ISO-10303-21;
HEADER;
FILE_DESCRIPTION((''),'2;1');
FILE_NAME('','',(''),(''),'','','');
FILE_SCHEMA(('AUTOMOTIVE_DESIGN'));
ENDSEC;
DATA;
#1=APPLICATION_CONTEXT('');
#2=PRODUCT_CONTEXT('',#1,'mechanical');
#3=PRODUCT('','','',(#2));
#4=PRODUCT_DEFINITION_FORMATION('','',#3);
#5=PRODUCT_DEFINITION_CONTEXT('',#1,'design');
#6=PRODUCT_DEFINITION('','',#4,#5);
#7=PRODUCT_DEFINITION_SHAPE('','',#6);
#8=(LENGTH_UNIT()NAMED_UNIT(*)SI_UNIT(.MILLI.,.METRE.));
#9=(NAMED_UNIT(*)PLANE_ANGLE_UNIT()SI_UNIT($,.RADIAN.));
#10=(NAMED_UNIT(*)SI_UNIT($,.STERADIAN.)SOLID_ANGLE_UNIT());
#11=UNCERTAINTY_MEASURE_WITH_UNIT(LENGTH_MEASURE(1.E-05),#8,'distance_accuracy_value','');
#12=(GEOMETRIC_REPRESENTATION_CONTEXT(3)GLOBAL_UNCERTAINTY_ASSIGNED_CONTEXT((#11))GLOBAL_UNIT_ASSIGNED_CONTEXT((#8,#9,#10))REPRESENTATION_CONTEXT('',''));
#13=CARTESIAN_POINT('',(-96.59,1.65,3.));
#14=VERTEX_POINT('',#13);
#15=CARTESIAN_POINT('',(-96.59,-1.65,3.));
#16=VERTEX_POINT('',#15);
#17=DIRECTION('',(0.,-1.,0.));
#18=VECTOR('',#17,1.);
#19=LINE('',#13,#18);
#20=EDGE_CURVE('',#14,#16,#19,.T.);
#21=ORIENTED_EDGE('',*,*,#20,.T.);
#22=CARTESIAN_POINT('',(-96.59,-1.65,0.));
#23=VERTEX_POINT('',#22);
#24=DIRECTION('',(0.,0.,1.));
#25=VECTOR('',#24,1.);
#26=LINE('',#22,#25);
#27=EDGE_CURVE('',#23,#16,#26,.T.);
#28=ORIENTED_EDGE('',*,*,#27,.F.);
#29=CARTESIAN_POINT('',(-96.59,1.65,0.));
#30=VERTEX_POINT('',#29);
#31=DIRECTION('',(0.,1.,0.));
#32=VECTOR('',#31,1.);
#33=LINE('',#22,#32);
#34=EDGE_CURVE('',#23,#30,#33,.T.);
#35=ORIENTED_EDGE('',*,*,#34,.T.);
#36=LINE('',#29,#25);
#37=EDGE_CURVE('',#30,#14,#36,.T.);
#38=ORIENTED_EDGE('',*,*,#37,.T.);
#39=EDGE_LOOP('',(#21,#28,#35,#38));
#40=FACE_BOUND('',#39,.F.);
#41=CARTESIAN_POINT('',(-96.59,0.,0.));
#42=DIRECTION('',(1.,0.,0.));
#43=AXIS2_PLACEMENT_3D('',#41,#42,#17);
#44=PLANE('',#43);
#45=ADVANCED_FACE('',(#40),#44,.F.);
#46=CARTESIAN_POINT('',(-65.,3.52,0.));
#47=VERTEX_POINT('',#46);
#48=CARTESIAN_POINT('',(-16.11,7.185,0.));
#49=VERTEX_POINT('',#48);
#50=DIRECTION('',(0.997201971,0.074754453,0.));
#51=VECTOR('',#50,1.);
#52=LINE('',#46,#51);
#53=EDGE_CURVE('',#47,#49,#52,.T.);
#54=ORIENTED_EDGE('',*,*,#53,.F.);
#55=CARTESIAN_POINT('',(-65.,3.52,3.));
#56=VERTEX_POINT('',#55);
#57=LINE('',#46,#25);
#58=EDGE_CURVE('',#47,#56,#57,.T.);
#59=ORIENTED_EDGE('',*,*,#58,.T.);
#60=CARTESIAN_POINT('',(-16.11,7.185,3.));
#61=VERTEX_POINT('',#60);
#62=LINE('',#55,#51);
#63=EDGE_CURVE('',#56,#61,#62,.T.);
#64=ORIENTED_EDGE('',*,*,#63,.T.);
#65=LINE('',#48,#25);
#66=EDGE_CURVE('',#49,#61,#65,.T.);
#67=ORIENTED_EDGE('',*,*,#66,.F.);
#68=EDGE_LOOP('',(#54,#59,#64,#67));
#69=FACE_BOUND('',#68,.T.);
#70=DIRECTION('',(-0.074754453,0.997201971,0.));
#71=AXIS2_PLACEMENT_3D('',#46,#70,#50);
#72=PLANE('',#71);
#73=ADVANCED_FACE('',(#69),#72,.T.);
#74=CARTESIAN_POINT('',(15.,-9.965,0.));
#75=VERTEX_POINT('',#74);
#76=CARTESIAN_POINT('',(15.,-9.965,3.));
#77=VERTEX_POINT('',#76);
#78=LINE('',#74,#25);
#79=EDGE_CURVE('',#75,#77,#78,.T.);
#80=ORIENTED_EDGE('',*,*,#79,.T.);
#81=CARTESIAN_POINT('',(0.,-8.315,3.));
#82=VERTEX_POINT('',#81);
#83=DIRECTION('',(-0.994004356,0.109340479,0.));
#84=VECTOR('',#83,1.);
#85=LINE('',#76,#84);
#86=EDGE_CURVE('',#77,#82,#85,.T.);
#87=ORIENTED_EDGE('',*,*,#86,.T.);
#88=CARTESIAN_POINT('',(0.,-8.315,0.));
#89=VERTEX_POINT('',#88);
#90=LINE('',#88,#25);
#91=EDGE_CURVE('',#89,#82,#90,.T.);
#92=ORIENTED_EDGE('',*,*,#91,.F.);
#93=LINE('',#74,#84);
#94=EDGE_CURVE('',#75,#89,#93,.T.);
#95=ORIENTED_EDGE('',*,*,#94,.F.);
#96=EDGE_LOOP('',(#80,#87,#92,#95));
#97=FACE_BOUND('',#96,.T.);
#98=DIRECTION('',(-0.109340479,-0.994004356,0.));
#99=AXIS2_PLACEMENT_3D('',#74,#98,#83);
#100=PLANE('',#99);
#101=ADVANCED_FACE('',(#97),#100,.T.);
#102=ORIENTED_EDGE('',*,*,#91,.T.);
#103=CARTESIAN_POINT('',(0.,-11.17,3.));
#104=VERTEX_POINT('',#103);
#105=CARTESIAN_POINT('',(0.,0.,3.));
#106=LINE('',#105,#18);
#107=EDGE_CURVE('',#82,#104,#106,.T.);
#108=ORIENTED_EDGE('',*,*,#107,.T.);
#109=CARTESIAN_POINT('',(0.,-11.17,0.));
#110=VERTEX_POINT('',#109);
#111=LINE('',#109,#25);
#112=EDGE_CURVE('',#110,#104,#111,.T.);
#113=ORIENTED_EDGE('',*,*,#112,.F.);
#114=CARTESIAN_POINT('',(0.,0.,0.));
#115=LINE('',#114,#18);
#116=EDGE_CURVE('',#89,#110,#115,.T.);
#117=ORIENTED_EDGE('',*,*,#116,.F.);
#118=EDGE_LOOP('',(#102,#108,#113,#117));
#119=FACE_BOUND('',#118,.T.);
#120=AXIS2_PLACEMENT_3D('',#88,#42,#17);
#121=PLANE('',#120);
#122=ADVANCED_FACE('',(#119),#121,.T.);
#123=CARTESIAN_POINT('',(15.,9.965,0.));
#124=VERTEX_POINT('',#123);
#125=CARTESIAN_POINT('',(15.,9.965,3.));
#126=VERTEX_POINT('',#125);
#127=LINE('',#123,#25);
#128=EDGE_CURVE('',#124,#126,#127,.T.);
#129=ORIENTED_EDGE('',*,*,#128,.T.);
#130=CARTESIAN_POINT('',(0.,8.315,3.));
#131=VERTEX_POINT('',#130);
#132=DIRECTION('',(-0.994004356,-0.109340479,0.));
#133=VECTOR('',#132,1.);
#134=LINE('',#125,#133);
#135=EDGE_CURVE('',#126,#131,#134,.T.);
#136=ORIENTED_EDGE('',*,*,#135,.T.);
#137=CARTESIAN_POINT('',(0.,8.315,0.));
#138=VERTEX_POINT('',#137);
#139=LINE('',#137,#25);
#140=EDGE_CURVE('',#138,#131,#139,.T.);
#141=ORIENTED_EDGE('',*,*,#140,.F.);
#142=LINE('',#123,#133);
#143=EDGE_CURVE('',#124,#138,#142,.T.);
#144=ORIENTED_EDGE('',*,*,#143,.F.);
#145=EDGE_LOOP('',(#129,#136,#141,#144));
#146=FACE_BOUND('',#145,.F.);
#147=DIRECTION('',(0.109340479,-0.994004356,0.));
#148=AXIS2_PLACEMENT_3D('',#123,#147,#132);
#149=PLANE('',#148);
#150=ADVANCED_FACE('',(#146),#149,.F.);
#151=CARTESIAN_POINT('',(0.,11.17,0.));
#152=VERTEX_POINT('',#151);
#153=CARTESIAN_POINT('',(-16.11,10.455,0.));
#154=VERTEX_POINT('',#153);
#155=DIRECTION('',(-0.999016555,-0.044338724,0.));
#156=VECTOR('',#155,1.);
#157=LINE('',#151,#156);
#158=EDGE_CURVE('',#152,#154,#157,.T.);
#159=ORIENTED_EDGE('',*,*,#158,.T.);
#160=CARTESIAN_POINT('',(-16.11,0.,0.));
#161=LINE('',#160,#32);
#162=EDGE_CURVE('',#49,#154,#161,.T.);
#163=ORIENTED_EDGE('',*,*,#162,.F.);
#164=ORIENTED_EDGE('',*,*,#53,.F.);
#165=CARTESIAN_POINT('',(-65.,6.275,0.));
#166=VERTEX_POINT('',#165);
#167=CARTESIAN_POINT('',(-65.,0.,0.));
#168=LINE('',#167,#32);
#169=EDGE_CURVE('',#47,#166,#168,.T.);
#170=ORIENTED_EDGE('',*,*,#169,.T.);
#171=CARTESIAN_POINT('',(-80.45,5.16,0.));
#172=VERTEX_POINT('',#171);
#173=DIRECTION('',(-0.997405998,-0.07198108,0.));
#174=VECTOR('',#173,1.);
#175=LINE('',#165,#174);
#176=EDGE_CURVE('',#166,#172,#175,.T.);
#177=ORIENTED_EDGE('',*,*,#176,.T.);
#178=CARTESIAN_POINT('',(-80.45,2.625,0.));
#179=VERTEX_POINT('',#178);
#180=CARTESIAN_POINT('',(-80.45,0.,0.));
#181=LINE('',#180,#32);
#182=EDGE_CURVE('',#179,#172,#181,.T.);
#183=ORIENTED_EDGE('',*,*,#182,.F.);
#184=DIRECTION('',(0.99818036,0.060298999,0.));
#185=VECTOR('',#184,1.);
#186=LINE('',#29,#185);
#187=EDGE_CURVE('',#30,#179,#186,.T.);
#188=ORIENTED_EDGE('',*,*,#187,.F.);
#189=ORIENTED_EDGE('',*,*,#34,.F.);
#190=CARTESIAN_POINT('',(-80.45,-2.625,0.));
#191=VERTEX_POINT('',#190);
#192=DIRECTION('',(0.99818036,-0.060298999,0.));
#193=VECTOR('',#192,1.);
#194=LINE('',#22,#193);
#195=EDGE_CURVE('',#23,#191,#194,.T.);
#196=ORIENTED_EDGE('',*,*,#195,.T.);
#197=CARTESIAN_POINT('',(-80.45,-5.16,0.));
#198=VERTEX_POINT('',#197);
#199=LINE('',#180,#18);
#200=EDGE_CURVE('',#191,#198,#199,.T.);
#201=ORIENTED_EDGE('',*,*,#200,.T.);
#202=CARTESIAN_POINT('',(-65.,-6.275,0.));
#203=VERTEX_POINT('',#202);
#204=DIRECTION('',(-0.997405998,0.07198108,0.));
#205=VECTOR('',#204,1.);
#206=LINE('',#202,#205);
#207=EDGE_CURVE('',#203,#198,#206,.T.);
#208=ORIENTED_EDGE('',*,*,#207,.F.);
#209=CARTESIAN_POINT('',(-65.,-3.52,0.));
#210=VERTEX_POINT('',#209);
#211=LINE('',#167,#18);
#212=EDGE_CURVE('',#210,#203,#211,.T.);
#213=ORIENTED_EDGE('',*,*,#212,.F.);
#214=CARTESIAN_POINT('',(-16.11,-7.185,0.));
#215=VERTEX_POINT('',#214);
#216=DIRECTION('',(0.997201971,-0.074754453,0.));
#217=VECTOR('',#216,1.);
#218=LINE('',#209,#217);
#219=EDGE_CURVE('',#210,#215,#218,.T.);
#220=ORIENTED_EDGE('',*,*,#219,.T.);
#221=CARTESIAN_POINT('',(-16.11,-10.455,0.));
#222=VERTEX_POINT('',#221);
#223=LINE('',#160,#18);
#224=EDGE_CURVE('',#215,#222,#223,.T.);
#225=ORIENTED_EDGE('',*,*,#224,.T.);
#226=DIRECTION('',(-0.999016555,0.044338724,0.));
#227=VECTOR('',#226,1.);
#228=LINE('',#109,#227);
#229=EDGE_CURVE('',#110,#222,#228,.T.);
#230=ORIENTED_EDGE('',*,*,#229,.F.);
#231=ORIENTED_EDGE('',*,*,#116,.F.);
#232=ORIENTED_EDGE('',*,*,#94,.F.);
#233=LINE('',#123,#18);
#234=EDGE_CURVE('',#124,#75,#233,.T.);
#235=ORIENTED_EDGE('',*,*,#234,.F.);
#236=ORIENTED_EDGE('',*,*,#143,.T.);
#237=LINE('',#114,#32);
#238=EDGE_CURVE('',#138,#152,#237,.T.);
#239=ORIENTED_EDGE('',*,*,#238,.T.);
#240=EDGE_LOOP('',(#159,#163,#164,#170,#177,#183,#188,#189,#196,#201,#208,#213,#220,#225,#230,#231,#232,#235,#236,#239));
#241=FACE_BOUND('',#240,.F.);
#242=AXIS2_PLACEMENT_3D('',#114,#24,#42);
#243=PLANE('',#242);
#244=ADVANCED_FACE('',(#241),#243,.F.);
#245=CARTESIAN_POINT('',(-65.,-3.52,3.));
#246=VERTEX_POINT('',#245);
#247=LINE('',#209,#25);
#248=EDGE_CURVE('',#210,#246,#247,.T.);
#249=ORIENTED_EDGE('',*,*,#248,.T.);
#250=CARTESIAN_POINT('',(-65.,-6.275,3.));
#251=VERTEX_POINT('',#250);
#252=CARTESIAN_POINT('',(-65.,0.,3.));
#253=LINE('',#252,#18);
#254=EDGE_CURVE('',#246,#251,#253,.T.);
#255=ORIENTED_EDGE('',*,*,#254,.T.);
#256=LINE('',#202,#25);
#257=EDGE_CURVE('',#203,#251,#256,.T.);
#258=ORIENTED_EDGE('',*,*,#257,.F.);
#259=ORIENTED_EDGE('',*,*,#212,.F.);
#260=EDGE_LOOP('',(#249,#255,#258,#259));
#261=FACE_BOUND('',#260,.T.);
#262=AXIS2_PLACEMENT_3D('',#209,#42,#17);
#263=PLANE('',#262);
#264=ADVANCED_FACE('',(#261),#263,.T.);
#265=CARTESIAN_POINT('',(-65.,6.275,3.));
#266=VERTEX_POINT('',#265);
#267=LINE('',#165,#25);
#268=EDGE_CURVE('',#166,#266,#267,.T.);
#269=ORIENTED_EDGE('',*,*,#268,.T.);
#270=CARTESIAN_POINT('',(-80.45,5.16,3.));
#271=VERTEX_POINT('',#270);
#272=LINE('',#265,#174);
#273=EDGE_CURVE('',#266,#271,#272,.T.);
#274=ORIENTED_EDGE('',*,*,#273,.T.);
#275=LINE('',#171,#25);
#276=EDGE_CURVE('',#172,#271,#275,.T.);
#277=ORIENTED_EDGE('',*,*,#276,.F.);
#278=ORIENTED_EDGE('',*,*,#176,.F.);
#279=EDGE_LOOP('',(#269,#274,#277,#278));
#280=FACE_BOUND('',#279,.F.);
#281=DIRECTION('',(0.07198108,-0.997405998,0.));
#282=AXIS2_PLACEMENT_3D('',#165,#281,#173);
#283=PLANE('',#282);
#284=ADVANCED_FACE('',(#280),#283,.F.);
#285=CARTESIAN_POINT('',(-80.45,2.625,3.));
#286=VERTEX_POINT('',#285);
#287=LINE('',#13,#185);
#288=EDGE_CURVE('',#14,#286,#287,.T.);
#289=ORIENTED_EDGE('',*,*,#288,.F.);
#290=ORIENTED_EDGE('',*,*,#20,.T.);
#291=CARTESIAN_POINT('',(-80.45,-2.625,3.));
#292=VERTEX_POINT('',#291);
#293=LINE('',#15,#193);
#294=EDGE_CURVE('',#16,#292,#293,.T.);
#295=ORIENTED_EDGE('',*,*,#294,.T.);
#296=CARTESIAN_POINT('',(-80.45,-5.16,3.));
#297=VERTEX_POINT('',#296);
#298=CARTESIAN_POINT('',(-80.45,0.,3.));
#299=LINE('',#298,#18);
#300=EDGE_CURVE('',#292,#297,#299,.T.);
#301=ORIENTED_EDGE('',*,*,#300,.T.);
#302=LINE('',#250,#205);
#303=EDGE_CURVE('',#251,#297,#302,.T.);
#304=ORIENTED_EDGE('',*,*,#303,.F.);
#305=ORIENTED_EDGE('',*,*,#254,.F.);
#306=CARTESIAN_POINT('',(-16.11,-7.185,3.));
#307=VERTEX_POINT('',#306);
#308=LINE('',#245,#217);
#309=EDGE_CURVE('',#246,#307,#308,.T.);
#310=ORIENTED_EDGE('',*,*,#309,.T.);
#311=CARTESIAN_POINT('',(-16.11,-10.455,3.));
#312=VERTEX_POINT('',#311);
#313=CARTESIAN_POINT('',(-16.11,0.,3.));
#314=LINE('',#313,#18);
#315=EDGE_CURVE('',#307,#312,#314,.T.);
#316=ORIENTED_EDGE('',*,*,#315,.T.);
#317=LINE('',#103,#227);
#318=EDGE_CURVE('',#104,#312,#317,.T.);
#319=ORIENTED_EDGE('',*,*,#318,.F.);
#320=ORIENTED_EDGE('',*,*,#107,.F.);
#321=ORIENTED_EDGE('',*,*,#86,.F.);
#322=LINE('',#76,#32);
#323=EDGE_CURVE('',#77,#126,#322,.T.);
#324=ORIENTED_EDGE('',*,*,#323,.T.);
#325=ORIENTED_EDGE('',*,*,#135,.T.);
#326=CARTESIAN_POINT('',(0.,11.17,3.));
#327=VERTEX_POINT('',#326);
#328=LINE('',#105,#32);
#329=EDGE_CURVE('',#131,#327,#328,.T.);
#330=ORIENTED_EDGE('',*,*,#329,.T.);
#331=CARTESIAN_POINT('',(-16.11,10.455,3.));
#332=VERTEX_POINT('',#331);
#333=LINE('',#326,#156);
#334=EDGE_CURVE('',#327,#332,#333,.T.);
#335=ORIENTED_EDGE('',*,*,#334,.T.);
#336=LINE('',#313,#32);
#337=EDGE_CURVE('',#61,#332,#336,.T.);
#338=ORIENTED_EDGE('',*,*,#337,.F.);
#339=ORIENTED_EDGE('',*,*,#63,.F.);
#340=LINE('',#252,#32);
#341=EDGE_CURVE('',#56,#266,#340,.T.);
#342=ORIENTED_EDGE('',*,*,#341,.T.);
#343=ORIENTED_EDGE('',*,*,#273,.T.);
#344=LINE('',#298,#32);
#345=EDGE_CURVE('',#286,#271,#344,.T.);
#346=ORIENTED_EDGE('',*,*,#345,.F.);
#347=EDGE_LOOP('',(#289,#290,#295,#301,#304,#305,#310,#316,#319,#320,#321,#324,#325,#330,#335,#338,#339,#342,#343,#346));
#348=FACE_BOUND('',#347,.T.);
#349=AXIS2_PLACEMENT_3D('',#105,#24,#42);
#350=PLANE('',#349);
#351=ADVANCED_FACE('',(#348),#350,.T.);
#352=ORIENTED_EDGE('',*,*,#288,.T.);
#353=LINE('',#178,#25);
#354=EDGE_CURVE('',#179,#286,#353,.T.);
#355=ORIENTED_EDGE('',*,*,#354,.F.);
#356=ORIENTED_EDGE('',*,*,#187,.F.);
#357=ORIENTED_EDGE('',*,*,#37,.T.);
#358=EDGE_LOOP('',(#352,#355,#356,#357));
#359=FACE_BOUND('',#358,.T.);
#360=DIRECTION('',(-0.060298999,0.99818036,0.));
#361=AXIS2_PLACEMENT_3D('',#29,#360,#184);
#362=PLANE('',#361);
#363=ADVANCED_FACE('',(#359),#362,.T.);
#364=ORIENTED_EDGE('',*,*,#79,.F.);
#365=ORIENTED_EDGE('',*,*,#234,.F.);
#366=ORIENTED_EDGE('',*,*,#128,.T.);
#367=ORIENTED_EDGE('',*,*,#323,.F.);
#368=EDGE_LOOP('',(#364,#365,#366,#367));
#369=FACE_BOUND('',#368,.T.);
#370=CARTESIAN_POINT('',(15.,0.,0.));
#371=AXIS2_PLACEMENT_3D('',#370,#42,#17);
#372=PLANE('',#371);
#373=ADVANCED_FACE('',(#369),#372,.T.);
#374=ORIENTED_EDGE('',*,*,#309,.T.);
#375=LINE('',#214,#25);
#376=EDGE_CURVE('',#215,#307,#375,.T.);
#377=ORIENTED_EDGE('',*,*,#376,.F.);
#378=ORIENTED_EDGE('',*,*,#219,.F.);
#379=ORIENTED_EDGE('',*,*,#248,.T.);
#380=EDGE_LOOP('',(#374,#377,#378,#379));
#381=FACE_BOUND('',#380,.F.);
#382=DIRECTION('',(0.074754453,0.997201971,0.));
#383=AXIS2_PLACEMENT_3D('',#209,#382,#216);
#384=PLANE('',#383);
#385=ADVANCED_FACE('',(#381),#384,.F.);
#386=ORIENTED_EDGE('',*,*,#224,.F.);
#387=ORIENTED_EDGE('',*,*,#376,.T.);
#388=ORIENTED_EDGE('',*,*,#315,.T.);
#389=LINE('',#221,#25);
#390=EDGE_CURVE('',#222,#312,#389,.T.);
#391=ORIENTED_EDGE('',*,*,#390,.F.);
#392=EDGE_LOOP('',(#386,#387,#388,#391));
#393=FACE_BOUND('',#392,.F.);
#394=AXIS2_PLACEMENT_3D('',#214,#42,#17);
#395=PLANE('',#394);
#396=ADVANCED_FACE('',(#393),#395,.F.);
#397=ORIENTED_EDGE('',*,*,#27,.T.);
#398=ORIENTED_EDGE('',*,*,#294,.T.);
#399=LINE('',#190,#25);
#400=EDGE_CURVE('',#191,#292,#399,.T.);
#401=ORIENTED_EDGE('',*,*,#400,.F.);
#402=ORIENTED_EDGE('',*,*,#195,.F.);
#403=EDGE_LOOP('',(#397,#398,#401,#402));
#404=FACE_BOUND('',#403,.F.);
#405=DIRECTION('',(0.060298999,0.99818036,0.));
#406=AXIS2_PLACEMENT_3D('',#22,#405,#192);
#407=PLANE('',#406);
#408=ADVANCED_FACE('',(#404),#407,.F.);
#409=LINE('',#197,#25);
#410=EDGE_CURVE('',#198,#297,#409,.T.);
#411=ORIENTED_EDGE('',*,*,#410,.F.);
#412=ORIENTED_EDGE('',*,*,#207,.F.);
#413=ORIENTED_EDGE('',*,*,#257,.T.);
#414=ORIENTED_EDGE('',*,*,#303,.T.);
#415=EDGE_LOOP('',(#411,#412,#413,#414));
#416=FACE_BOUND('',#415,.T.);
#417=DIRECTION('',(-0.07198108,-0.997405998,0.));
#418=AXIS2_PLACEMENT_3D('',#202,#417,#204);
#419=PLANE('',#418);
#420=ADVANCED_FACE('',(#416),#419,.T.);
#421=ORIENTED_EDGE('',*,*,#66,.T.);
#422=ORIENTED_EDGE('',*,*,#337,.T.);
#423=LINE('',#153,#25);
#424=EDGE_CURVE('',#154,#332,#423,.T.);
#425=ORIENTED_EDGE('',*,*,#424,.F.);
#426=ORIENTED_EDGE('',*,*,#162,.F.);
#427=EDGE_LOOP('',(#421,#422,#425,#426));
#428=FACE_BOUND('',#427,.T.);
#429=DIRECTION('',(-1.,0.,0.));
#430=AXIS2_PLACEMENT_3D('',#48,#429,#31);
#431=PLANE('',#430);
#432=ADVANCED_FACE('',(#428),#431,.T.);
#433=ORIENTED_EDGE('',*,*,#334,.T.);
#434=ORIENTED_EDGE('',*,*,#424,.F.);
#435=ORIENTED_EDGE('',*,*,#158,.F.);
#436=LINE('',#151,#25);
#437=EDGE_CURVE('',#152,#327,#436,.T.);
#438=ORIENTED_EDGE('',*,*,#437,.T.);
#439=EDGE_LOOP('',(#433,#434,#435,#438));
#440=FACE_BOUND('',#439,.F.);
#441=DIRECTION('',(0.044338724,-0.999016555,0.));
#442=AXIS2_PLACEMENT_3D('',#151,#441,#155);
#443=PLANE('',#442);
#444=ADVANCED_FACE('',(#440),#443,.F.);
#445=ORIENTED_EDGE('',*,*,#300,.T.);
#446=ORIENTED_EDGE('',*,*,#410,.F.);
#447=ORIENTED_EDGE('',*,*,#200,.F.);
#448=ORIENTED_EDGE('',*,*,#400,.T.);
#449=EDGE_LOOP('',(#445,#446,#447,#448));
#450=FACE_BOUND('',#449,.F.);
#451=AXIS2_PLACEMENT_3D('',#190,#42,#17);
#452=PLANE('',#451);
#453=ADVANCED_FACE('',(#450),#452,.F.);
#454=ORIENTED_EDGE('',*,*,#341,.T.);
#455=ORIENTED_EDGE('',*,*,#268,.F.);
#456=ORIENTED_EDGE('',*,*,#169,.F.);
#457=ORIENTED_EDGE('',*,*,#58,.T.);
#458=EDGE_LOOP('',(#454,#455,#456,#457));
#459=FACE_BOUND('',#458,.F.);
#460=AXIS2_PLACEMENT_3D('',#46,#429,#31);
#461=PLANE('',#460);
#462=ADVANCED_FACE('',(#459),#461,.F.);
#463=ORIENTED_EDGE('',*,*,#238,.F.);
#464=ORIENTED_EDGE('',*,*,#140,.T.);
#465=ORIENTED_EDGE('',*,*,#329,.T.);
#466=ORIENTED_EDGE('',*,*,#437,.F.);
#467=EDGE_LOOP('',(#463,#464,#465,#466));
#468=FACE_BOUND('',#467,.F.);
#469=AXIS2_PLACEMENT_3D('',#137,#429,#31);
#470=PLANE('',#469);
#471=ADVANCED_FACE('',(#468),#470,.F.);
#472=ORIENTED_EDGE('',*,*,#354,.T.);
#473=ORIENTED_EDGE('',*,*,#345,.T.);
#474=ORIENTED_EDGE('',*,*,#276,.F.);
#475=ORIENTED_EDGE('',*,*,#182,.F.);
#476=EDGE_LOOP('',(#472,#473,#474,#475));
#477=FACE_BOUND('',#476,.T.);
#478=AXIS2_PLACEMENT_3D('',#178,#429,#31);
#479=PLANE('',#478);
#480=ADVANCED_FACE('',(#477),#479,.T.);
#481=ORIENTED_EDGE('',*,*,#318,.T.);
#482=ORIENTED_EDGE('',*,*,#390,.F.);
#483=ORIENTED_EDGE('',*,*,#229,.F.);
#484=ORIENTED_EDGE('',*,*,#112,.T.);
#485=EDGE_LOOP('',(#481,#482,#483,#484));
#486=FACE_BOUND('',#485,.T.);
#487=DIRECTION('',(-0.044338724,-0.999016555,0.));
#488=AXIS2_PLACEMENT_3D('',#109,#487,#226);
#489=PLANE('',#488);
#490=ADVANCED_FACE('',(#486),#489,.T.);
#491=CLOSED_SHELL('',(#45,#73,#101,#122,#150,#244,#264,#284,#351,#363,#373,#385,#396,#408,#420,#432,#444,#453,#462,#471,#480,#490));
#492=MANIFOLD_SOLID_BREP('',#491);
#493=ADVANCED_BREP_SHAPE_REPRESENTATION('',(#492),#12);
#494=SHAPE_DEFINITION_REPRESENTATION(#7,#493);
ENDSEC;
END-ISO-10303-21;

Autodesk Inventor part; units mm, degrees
ref_plane "YZ Plane" through (0, 0, 0) normal (1, 0, 0) x (0, 1, 0)
ref_plane "XZ Plane" through (0, 0, 0) normal (0, 1, 0) x (-1, 0, 0)
ref_plane "XY Plane" through (0, 0, 0) normal (0, 0, 1) x (1, 0, 0)
sketch "Sketch1" plane through (0, 0, 0) normal (0, 0, 1) x (1, 0, 0)
  line L0 (0, 0) -> (-65, 0)
  line L1 (-65, 0) -> (-65, 3.52)
  line L2 (0, 0) -> (0, 8.315)
  line L3 (0, 0) -> (0, 11.17)
  line L4 (0, 0) -> (15, 0)
  line L5 (15, 0) -> (15, 9.965)
  line L6 (15, 9.965) -> (0, 8.315)
  line L7 (0, 0) -> (-16.11, 0)
  line L8 (-16.11, 0) -> (-16.11, 7.185)
  line L9 (-16.11, 0) -> (-16.11, 10.455)
  line L10 (-65, 0) -> (-65, 6.275)
  line L11 (-65, 0) -> (-80.45, 0)
  line L12 (-80.45, 0) -> (-80.45, 2.625)
  line L13 (-80.45, 0) -> (-80.45, 5.16)
  line L14 (-80.45, 0) -> (-96.59, 0)
  line L15 (-96.59, 0) -> (-96.59, 1.65)
  line L16 (-65, 6.275) -> (-80.45, 5.16)
  line L17 (-96.59, 1.65) -> (-80.45, 2.625)
  line L18 (-65, 3.52) -> (-16.11, 7.185)
  line L19 (0, 11.17) -> (-16.11, 10.455)
  line L20 (-65, 0) -> (-65, -3.52)
  line L21 (0, 0) -> (0, -8.315)
  line L22 (0, 0) -> (0, -11.17)
  line L23 (15, 0) -> (15, -9.965)
  line L24 (15, -9.965) -> (0, -8.315)
  line L25 (-16.11, 0) -> (-16.11, -7.185)
  line L26 (-16.11, 0) -> (-16.11, -10.455)
  line L27 (-65, 0) -> (-65, -6.275)
  line L28 (-80.45, 0) -> (-80.45, -2.625)
  line L29 (-80.45, 0) -> (-80.45, -5.16)
  line L30 (-96.59, 0) -> (-96.59, -1.65)
  line L31 (-65, -6.275) -> (-80.45, -5.16)
  line L32 (-96.59, -1.65) -> (-80.45, -2.625)
  line L33 (-65, -3.52) -> (-16.11, -7.185)
  line L34 (0, -11.17) -> (-16.11, -10.455)
  point P0 (-16.11, -7.185)
  dimension "d0" = 65
  dimension "d1" = 3.52
  dimension "d2" = 8.315
  dimension "d3" = 11.17
  dimension "d4" = 15
  dimension "d6" = 9.965
  dimension "d7" = 16.11
  dimension "d8" = 7.185
  dimension "d9" = 10.455
  dimension "d10" = 6.275
  dimension "d11" = 15.45
  dimension "d12" = 2.625
  dimension "d13" = 5.16
  dimension "d14" = 16.14
  dimension "d15" = 1.65
extrude "Extrusion1" add sketch "Sketch1" along normal blind 3
